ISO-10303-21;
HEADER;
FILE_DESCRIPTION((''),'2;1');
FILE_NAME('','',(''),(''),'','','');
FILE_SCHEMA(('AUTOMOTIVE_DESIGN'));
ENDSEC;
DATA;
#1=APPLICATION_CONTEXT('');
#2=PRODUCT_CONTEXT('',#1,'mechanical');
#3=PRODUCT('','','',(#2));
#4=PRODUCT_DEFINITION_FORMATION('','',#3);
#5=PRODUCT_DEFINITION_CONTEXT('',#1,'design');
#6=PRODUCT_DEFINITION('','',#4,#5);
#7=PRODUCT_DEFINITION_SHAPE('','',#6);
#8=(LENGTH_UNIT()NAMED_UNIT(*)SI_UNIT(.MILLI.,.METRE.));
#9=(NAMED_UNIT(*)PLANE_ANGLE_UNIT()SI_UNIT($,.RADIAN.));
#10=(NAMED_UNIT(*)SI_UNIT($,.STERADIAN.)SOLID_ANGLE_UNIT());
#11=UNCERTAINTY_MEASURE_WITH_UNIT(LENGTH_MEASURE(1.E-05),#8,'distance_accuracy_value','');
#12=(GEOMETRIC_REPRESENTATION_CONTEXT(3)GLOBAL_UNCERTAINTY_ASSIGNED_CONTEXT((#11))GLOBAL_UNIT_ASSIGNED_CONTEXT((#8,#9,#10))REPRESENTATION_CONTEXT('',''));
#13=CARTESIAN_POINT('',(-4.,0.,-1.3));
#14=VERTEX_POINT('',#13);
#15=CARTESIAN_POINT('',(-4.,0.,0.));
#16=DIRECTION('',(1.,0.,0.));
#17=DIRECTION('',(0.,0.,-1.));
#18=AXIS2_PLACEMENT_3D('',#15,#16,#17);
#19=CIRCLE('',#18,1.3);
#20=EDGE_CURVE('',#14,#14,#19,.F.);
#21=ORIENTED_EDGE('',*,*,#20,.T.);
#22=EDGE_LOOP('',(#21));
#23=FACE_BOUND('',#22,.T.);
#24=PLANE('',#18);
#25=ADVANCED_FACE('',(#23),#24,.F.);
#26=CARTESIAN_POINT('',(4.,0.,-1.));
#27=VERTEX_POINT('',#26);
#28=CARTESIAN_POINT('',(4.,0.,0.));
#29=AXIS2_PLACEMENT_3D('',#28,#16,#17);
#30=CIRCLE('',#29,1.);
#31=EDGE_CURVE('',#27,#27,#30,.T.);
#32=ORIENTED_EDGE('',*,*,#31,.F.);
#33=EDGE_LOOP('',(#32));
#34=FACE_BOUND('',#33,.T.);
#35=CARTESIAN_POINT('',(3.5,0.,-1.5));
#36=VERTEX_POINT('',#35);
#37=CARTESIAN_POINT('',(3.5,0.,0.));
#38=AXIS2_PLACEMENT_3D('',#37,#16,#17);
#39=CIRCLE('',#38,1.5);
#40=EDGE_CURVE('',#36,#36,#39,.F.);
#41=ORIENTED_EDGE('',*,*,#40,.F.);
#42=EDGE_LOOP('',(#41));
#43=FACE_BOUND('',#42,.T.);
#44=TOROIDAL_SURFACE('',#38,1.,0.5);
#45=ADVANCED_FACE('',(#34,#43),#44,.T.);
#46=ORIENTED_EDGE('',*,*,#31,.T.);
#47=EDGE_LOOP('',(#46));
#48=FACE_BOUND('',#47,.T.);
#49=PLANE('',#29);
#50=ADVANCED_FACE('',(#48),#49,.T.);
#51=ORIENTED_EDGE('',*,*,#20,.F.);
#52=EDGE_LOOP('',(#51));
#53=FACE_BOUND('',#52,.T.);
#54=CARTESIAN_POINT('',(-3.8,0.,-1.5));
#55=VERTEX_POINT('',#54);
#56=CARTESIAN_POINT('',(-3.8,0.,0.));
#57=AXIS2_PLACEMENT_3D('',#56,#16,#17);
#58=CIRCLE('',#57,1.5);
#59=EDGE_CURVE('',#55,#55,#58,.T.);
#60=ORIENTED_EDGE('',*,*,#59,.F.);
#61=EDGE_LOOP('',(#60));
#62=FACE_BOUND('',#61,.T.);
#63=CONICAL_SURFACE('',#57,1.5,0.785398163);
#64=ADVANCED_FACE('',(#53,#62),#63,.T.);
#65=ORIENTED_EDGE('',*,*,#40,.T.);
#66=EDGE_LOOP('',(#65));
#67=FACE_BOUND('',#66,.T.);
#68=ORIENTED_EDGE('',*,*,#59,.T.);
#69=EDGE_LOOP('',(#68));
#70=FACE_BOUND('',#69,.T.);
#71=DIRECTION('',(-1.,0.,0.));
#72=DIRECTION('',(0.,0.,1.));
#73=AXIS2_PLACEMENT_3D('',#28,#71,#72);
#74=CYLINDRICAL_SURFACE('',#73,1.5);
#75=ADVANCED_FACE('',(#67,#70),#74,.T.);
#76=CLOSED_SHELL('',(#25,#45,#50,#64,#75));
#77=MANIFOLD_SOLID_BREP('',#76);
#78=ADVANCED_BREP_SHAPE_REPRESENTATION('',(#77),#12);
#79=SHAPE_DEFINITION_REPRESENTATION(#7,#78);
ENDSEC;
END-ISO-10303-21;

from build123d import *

# Parameters (mm, degrees)
SKETCH1_R           = 1.5
BOSS_EXTRUDE1_DEPTH = 4
FILLET1_R           = 0.5
CHAMFER1_SIZE       = 0.2


with BuildPart() as part:
    # Sketch1 → Boss-Extrude1 (new body, symmetric)
    with BuildSketch(Plane(origin=(0, 0, 0), x_dir=(0, -1, 0), z_dir=(1, 0, 0))):
        Circle(SKETCH1_R)
    extrude(amount=BOSS_EXTRUDE1_DEPTH, both=True)

    # Fillet1
    fillet1_edges = [part.edges().sort_by_distance(p)[0] for p in [
        (4, 1.5, 0),
    ]]
    fillet(fillet1_edges, radius=FILLET1_R)

    # Chamfer1
    chamfer1_edges = [part.edges().sort_by_distance(p)[0] for p in [
        (-4, 1.5, 0),
    ]]
    chamfer(chamfer1_edges, length=CHAMFER1_SIZE)


solid = part.part
